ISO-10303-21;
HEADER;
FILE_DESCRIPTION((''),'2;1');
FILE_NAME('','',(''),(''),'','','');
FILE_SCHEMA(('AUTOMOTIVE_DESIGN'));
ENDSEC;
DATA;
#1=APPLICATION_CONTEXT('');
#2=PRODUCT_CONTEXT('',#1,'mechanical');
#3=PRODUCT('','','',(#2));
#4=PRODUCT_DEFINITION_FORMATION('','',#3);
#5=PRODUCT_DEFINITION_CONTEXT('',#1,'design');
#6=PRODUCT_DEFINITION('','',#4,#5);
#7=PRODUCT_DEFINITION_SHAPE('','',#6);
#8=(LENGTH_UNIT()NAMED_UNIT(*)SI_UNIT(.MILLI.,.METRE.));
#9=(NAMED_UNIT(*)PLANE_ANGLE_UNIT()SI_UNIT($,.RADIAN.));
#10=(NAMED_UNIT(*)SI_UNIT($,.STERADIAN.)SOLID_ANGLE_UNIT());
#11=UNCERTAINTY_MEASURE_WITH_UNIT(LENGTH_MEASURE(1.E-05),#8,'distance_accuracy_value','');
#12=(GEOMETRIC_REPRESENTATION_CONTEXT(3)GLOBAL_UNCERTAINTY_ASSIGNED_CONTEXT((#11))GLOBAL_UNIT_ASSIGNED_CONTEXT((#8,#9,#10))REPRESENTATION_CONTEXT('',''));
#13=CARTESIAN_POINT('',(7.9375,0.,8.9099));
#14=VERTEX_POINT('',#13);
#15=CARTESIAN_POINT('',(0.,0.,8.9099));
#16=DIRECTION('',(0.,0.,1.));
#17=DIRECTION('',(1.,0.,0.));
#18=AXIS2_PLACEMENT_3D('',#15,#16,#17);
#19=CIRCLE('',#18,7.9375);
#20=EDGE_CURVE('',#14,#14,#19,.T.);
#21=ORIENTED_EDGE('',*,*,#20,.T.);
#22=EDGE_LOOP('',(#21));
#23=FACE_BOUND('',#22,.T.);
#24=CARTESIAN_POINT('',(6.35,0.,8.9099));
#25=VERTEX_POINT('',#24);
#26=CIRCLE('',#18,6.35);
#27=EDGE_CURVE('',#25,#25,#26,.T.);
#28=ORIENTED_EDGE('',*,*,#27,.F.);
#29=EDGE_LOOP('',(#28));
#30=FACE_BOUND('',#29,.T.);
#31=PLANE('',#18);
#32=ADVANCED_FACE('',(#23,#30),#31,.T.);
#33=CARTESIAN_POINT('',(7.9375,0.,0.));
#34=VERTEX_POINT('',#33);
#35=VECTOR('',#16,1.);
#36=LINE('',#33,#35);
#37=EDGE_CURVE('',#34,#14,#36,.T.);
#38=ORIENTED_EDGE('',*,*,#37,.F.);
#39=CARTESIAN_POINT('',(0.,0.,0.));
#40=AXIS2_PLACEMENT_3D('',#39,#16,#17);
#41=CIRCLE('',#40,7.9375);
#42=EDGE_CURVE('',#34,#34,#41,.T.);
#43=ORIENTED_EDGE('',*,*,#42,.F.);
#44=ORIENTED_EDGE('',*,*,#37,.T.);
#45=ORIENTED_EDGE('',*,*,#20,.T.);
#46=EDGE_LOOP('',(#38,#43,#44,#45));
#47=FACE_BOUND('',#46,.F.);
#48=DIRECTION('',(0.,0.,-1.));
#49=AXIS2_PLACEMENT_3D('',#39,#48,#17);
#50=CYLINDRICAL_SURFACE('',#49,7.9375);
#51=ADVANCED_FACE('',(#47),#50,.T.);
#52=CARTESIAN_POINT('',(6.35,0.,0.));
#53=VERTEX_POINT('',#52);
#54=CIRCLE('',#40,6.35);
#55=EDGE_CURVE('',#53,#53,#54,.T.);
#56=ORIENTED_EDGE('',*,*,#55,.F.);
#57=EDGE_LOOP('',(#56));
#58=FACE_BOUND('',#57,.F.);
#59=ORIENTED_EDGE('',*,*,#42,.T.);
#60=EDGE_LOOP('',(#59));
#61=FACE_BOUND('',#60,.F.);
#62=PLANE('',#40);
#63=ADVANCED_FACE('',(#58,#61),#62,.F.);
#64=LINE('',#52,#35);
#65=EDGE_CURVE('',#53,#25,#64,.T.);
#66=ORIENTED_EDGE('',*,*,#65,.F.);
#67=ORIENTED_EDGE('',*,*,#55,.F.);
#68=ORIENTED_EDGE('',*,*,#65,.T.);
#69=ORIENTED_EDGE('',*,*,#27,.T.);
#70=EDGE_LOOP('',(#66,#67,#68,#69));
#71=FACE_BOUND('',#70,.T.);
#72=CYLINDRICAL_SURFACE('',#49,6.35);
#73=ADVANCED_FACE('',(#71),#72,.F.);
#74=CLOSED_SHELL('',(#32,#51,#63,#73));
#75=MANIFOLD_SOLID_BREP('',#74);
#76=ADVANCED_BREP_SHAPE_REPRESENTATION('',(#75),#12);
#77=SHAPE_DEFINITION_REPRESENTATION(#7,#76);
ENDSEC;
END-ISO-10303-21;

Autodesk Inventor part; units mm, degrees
ref_plane "YZ Plane" through (0, 0, 0) normal (1, 0, 0) x (0, 1, 0)
ref_plane "XZ Plane" through (0, 0, 0) normal (0, 1, 0) x (-1, 0, 0)
ref_plane "XY Plane" through (0, 0, 0) normal (0, 0, 1) x (1, 0, 0)
sketch "Sketch1" plane through (0, 0, 0) normal (0, 0, 1) x (1, 0, 0)
  circle A0 centre (0, 0) radius 7.9375
  circle A1 centre (0, 0) radius 6.35
  dimension "d0" = 15.875
  dimension "d1" = 12.7
extrude "Extrusion1" add sketch "Sketch1" along normal blind 8.9099
properties part number "Shaft Spacer Part5" material "Aluminum 6061"
